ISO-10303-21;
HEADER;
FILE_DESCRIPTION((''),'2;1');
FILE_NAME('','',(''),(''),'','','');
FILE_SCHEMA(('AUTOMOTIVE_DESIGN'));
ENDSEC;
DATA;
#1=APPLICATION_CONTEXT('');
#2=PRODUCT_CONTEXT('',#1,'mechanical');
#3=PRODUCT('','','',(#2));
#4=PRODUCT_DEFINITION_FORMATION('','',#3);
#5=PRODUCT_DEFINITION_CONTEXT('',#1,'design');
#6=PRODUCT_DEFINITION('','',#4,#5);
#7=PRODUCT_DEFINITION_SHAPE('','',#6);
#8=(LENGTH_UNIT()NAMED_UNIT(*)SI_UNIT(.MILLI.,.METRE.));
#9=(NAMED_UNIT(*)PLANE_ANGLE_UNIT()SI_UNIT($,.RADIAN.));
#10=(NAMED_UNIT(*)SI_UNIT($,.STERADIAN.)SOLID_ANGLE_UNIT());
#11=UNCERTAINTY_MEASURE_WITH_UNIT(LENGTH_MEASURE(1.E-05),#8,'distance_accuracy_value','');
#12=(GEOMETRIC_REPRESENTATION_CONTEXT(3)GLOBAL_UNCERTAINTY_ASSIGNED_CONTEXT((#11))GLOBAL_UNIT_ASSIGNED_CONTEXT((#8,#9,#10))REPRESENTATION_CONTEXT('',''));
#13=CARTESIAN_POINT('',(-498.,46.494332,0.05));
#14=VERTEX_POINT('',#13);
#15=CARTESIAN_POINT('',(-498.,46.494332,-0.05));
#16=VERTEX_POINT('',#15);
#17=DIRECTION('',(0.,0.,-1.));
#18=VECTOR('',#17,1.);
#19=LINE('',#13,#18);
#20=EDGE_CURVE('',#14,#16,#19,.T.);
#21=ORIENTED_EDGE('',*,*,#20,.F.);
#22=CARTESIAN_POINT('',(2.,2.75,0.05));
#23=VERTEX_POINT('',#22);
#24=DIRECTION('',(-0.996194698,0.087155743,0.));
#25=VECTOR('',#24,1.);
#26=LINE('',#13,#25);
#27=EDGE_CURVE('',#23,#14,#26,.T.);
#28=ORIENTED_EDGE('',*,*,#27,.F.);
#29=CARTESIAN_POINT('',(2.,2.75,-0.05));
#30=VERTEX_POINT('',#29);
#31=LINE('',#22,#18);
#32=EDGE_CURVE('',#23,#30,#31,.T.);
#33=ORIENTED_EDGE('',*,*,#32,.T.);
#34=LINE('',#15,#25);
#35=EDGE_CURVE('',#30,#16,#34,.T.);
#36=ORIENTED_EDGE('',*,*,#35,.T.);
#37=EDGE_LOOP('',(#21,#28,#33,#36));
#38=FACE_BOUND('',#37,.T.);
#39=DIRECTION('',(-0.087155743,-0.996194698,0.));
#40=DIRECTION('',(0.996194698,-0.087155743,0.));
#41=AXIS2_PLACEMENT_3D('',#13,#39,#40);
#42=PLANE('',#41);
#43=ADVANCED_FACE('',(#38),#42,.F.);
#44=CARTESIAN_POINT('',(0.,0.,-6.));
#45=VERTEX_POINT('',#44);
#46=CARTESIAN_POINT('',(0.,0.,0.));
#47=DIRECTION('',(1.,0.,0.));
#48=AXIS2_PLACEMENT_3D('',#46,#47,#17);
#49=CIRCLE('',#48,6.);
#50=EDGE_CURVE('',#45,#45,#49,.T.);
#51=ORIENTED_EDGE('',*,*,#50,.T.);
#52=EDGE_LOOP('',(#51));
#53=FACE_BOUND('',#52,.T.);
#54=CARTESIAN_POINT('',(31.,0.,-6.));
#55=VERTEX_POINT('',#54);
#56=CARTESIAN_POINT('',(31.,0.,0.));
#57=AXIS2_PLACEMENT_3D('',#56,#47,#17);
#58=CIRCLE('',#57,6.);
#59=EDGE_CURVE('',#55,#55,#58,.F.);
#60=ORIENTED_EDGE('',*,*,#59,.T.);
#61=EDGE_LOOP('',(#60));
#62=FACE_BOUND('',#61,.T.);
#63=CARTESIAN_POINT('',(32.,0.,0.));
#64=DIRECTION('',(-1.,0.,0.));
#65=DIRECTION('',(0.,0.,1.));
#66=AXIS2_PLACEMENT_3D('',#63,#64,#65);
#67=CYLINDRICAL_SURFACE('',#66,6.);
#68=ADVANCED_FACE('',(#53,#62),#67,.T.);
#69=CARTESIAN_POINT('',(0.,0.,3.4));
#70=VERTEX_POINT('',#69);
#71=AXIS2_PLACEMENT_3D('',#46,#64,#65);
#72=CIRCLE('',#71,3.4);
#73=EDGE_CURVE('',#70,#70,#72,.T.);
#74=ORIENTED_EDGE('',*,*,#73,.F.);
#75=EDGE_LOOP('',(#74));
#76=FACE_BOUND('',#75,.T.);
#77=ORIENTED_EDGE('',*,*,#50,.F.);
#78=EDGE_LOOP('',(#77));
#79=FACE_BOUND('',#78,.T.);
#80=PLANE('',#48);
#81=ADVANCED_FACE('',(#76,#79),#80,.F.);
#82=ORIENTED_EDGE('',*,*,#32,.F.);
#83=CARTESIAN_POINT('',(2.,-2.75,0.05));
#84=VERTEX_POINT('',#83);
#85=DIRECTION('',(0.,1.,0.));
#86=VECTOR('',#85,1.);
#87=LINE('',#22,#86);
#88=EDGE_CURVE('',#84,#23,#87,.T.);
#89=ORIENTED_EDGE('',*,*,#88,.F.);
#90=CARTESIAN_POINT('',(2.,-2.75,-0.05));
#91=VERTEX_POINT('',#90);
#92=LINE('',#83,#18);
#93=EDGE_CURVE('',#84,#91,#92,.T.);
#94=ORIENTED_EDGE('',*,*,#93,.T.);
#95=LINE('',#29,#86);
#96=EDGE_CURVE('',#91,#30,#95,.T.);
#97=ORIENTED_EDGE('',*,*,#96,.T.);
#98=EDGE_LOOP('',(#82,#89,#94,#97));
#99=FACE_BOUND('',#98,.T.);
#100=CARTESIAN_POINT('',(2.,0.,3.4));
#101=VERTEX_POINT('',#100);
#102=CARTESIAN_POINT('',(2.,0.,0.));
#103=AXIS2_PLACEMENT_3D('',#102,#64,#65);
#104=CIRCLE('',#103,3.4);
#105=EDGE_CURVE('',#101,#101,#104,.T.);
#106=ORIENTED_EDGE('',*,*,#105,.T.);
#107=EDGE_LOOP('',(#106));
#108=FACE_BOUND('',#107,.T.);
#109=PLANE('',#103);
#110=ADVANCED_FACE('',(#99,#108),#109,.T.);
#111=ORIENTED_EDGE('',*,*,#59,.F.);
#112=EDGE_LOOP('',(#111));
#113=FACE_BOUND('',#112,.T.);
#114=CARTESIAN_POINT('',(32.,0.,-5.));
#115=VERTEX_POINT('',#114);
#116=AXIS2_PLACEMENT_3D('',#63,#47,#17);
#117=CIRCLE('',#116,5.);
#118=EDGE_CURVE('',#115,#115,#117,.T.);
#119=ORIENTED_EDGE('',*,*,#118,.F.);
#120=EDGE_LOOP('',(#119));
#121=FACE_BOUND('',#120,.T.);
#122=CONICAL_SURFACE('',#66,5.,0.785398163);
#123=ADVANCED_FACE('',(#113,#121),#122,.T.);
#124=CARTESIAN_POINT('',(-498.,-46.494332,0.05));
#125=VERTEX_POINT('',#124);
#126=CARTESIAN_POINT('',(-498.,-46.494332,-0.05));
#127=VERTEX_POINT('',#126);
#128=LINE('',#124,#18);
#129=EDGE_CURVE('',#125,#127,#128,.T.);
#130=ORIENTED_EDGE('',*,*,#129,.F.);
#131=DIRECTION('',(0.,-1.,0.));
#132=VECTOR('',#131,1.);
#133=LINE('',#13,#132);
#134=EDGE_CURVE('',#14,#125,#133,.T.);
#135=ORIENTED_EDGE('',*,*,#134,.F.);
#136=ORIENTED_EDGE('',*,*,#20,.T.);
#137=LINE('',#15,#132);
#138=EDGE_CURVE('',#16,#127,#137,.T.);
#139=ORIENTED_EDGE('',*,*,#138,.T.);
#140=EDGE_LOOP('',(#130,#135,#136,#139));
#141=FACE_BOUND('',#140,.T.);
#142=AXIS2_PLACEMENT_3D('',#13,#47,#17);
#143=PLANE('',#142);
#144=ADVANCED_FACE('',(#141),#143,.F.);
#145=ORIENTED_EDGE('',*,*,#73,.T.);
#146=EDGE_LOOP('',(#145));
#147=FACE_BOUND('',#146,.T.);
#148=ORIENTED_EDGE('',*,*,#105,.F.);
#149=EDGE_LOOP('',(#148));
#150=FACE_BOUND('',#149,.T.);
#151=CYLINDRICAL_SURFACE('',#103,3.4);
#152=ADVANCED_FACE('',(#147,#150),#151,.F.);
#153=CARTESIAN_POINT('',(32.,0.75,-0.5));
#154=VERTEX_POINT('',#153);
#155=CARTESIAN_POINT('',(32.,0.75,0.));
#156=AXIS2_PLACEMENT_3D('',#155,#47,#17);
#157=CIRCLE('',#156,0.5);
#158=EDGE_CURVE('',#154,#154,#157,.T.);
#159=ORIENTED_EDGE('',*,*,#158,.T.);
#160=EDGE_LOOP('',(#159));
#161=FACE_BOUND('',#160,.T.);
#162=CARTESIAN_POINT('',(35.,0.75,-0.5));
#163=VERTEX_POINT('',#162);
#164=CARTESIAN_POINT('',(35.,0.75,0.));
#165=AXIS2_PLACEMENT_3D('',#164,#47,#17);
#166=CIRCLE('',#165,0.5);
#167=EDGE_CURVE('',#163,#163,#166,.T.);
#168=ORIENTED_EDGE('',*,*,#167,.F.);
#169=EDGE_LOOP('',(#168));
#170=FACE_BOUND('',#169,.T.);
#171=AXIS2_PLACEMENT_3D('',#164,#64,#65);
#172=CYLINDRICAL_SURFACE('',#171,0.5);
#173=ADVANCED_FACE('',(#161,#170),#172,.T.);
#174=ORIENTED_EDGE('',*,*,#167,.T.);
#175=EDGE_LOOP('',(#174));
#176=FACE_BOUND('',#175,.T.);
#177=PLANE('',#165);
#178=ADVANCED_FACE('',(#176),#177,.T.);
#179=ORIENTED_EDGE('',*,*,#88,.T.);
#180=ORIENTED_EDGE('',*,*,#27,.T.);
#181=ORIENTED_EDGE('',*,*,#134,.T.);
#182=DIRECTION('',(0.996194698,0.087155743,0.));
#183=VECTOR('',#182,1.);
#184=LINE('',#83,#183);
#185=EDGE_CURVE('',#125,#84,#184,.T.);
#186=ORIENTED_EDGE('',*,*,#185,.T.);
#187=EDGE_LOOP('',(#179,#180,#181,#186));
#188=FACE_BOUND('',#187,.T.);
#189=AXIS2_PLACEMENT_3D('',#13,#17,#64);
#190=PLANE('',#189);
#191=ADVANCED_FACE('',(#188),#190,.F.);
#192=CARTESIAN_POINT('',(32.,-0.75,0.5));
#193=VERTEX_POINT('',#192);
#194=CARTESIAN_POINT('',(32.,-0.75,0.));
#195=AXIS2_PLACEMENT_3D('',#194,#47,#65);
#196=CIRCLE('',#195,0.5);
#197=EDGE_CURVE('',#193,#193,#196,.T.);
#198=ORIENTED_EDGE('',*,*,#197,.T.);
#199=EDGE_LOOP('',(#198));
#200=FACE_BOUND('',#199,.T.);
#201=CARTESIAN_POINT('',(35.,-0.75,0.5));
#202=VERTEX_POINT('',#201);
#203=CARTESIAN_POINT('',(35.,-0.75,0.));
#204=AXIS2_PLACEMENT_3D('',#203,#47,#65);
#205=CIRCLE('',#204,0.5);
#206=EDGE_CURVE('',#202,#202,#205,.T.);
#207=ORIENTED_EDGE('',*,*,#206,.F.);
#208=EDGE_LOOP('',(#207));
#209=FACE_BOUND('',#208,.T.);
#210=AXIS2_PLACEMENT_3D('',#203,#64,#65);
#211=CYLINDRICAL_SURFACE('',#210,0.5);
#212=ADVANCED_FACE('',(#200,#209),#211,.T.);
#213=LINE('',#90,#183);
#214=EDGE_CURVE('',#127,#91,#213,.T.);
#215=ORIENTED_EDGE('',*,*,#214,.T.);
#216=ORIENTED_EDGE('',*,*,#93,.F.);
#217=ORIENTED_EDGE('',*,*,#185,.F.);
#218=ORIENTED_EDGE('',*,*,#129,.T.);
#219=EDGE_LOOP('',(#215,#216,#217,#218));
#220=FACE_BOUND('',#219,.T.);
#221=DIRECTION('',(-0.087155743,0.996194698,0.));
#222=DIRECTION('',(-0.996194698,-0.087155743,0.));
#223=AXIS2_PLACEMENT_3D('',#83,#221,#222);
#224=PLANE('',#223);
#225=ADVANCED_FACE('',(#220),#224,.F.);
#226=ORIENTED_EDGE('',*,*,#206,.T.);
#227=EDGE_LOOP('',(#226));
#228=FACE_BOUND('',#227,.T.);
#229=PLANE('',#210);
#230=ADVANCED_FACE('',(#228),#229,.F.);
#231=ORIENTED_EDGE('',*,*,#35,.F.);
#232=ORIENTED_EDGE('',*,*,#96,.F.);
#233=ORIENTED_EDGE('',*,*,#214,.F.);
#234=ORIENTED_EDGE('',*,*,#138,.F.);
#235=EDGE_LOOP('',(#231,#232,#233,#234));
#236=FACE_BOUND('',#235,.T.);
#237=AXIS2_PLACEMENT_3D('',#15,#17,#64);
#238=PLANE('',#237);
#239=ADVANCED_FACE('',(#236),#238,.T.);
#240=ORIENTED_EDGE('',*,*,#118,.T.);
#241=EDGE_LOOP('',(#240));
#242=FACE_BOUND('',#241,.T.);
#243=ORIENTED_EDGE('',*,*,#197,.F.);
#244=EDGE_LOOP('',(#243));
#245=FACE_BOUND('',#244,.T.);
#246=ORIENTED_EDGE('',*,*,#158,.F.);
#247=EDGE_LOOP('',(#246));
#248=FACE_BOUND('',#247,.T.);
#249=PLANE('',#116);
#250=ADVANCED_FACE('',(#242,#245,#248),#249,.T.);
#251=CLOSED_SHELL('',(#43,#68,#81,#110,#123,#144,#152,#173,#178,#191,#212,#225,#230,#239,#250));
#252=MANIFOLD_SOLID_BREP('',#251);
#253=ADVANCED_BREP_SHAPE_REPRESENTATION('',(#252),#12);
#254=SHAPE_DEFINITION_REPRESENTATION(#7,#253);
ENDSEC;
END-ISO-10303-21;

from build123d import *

# Parameters (mm, degrees)
ESQUISSE1_R             = 6
EXTRUSION1_DEPTH        = 32
ESQUISSE2_R             = 3.4
ENL_V_MAT_EXTRU_1_DEPTH = 2
CHANFREIN1_SIZE         = 1
ESQUISSE3_R             = 0.5
EXTRUSION2_DEPTH        = 3
EXTRUSION3_DEPTH        = 0.05


with BuildPart() as part:
    # Esquisse1 → Extrusion1 (new body)
    with BuildSketch(Plane(origin=(0, 0, 0), x_dir=(0, 0, -1), z_dir=(1, 0, 0))):
        Circle(ESQUISSE1_R)
    extrude(amount=EXTRUSION1_DEPTH)

    # Esquisse2 → Enlèv. mat.-Extru.1 (cut)
    with BuildSketch(Plane.ZY):
        Circle(ESQUISSE2_R)
    extrude(amount=-ENL_V_MAT_EXTRU_1_DEPTH, mode=Mode.SUBTRACT)

    # Chanfrein1
    chanfrein1_edges = [part.edges().sort_by_distance(p)[0] for p in [
        (32, 0, 6),
    ]]
    chamfer(chanfrein1_edges, length=CHANFREIN1_SIZE)

    # Esquisse3 → Extrusion2 (add)
    with BuildSketch(Plane(origin=(32, 0, 0), x_dir=(0, 0, -1), z_dir=(1, 0, 0))):
        with Locations((0, 0.75)):
            Circle(ESQUISSE3_R)
        with Locations(Location((0, -0.75, 0), (0, 0, 180))):
            Circle(ESQUISSE3_R)
    extrude(amount=EXTRUSION2_DEPTH)

    # Esquisse4 → Extrusion3 (add, symmetric)
    with BuildSketch(Plane.XY):
        Polygon((2, 2.75), (2, -2.75), (-498, -46.494331763), (-498, 46.494331763), align=None)
    extrude(amount=EXTRUSION3_DEPTH, both=True)


solid = part.part
